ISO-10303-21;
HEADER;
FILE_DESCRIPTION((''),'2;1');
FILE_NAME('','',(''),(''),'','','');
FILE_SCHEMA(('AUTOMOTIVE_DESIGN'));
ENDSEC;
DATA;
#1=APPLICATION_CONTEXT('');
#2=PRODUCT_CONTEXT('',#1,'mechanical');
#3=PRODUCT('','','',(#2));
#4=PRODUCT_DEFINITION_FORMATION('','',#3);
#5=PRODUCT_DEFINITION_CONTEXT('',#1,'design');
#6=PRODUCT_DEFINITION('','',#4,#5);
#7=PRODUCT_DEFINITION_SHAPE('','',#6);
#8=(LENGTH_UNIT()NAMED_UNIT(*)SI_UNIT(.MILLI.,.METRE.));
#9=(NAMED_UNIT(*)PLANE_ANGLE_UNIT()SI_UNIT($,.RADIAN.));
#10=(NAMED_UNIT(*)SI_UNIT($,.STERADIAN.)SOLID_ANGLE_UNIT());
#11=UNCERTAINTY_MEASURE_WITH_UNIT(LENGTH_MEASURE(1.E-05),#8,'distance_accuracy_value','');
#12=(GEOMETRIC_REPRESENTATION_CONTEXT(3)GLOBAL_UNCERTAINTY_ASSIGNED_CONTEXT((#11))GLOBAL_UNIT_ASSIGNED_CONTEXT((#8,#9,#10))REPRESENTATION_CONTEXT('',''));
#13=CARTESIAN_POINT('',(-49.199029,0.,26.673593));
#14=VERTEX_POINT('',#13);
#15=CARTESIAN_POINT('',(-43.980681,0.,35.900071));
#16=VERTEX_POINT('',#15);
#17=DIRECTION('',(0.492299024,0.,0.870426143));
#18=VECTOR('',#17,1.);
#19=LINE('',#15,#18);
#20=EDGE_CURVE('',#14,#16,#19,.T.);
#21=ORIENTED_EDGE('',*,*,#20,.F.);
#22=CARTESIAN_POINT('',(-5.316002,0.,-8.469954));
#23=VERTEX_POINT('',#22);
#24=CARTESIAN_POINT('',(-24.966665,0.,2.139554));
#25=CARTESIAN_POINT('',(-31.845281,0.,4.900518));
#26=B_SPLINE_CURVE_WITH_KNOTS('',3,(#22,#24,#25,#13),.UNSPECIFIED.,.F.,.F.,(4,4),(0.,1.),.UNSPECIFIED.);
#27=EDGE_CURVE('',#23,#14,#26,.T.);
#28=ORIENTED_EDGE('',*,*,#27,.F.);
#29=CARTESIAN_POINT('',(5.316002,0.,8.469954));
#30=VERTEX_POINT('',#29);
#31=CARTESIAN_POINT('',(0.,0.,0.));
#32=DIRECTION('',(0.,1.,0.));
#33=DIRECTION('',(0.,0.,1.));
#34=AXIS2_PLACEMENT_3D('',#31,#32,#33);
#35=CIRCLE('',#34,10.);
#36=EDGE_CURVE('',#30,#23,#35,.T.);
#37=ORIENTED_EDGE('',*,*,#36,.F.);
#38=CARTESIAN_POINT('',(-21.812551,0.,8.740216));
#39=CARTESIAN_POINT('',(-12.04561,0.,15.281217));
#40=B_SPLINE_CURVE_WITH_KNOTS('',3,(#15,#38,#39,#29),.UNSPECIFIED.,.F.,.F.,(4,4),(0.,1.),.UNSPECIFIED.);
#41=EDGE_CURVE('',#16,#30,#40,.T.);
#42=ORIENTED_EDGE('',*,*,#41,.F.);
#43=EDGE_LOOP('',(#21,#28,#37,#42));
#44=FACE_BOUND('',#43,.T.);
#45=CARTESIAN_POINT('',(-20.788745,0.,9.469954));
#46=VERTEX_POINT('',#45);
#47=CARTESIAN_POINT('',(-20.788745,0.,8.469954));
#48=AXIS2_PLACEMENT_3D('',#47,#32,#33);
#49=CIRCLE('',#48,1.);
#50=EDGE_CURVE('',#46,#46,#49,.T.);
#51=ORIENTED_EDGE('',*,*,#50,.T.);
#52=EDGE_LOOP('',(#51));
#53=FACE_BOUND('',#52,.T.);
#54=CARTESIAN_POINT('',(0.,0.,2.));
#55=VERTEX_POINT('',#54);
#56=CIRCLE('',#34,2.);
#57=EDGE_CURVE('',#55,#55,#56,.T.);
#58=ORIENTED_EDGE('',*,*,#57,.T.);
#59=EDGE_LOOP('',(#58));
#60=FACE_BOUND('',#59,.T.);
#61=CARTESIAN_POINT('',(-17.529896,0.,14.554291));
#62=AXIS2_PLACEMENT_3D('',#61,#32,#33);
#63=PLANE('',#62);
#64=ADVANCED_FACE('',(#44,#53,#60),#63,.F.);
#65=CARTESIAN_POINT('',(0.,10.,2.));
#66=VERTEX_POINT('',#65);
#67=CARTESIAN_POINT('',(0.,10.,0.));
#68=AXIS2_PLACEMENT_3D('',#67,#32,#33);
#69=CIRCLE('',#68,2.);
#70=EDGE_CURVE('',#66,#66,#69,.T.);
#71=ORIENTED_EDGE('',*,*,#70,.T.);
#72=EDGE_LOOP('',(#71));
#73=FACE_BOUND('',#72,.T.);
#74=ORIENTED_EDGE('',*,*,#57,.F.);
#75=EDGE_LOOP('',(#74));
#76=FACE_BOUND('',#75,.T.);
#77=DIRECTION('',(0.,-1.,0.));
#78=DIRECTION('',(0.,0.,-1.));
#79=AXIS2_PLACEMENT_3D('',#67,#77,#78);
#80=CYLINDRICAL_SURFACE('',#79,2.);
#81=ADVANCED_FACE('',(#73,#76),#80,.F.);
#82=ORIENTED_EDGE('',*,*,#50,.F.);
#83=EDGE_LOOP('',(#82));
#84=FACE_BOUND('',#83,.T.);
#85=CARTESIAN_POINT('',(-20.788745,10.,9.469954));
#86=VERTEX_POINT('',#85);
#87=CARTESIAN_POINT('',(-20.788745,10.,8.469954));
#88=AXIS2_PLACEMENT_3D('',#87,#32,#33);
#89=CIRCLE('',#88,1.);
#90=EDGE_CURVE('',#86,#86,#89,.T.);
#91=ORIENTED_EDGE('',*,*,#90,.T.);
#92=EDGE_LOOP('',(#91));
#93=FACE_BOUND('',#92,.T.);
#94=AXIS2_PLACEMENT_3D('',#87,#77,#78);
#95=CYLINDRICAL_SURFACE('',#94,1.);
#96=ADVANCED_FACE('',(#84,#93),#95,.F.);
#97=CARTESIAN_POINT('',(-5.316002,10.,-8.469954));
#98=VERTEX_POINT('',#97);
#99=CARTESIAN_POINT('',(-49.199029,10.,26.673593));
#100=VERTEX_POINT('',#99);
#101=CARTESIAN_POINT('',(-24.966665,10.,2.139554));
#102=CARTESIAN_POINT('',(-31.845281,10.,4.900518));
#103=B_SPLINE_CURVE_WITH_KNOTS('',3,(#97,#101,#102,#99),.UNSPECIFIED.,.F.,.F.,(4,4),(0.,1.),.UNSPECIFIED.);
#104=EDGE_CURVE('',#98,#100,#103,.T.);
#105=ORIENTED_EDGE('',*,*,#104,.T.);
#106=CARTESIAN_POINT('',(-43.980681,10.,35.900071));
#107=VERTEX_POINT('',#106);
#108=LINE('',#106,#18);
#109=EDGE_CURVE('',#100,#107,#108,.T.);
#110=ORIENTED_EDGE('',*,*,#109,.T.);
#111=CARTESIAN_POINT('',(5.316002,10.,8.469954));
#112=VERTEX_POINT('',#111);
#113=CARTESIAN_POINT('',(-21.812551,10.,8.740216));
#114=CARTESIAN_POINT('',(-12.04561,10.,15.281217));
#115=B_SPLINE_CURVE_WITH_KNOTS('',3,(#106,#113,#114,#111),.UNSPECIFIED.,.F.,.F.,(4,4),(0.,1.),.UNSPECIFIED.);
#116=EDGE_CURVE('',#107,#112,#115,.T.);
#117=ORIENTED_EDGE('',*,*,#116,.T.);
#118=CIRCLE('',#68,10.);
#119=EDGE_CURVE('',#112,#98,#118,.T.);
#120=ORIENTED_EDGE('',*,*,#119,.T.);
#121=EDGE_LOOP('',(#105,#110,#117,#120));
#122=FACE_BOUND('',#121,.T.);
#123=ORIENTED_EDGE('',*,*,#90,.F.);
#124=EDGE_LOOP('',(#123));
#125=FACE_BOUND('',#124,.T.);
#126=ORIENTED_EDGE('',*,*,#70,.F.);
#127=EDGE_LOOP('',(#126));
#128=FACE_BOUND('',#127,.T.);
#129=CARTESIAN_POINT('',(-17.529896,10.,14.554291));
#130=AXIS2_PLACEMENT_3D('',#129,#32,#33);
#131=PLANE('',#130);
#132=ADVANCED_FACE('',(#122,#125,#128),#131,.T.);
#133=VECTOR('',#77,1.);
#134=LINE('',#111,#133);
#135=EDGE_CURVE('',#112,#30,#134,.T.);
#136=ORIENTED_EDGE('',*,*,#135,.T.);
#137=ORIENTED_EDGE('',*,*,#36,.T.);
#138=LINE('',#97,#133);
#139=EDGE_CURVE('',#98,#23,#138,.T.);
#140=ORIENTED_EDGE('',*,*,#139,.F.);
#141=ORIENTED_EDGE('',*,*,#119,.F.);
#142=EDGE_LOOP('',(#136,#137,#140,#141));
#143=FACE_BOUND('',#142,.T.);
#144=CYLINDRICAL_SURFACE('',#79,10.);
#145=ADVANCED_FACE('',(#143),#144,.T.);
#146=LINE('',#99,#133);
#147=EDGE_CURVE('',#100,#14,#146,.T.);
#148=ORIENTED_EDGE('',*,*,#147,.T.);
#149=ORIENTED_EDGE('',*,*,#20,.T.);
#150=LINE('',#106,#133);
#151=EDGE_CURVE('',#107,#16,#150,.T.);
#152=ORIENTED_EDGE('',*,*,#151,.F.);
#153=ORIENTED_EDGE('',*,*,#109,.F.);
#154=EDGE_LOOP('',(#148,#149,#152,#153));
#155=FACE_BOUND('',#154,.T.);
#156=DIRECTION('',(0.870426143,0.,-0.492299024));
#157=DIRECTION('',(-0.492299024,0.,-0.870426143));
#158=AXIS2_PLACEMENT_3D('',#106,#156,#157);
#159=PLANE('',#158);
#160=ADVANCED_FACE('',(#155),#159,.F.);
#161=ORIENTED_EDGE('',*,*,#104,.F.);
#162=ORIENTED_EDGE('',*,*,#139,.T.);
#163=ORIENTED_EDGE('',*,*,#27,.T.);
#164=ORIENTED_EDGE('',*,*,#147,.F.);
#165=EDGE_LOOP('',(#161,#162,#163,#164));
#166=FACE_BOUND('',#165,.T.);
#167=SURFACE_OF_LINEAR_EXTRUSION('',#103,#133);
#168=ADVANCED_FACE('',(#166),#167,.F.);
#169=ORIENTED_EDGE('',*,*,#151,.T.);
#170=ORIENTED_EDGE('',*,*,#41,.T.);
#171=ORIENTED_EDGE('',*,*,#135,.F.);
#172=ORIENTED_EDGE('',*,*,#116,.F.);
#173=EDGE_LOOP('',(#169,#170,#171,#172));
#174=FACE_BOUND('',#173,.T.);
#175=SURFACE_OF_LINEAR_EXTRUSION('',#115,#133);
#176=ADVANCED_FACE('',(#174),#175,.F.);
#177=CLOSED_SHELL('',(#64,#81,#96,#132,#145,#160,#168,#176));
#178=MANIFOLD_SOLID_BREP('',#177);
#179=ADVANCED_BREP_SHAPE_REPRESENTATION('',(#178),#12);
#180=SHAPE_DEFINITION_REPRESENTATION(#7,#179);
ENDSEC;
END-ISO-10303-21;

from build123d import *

# Parameters (mm, degrees)
SKETCH1_R           = 2
SKETCH1_R_2         = 1
BOSS_EXTRUDE1_DEPTH = 10


with BuildPart() as part:
    # Sketch1 → Boss-Extrude1 (new body)
    with BuildSketch(Plane(origin=(0, 0, 0), x_dir=(1, 0, 0), z_dir=(0, 1, 0))):
        with BuildLine():
            Line((-43.980681388, -35.900071191), (-49.199029144, -26.673592784))
            add(Edge.make_bspline(
                [(-49.199029144, -26.673592784), (-31.845281334, -4.900517613), (-24.966664763, -2.13955382), (-5.316002055, 8.469954082)],
                knots=[0, 0, 0, 0, 1, 1, 1, 1], degree=3))
            ThreePointArc((-5.316002055, 8.469954082), (8.469954082, 5.316002055), (5.316002055, -8.469954082))
            add(Edge.make_bspline(
                [(-43.980681388, -35.900071191), (-21.812551229, -8.740215805), (-12.045610471, -15.281217208), (5.316002055, -8.469954082)],
                knots=[0, 0, 0, 0, 1, 1, 1, 1], degree=3))
        make_face()
        Circle(SKETCH1_R, mode=Mode.SUBTRACT)
        with Locations((-20.788744537, -8.469954082)):
            Circle(SKETCH1_R_2, mode=Mode.SUBTRACT)
    extrude(amount=BOSS_EXTRUDE1_DEPTH)


solid = part.part
